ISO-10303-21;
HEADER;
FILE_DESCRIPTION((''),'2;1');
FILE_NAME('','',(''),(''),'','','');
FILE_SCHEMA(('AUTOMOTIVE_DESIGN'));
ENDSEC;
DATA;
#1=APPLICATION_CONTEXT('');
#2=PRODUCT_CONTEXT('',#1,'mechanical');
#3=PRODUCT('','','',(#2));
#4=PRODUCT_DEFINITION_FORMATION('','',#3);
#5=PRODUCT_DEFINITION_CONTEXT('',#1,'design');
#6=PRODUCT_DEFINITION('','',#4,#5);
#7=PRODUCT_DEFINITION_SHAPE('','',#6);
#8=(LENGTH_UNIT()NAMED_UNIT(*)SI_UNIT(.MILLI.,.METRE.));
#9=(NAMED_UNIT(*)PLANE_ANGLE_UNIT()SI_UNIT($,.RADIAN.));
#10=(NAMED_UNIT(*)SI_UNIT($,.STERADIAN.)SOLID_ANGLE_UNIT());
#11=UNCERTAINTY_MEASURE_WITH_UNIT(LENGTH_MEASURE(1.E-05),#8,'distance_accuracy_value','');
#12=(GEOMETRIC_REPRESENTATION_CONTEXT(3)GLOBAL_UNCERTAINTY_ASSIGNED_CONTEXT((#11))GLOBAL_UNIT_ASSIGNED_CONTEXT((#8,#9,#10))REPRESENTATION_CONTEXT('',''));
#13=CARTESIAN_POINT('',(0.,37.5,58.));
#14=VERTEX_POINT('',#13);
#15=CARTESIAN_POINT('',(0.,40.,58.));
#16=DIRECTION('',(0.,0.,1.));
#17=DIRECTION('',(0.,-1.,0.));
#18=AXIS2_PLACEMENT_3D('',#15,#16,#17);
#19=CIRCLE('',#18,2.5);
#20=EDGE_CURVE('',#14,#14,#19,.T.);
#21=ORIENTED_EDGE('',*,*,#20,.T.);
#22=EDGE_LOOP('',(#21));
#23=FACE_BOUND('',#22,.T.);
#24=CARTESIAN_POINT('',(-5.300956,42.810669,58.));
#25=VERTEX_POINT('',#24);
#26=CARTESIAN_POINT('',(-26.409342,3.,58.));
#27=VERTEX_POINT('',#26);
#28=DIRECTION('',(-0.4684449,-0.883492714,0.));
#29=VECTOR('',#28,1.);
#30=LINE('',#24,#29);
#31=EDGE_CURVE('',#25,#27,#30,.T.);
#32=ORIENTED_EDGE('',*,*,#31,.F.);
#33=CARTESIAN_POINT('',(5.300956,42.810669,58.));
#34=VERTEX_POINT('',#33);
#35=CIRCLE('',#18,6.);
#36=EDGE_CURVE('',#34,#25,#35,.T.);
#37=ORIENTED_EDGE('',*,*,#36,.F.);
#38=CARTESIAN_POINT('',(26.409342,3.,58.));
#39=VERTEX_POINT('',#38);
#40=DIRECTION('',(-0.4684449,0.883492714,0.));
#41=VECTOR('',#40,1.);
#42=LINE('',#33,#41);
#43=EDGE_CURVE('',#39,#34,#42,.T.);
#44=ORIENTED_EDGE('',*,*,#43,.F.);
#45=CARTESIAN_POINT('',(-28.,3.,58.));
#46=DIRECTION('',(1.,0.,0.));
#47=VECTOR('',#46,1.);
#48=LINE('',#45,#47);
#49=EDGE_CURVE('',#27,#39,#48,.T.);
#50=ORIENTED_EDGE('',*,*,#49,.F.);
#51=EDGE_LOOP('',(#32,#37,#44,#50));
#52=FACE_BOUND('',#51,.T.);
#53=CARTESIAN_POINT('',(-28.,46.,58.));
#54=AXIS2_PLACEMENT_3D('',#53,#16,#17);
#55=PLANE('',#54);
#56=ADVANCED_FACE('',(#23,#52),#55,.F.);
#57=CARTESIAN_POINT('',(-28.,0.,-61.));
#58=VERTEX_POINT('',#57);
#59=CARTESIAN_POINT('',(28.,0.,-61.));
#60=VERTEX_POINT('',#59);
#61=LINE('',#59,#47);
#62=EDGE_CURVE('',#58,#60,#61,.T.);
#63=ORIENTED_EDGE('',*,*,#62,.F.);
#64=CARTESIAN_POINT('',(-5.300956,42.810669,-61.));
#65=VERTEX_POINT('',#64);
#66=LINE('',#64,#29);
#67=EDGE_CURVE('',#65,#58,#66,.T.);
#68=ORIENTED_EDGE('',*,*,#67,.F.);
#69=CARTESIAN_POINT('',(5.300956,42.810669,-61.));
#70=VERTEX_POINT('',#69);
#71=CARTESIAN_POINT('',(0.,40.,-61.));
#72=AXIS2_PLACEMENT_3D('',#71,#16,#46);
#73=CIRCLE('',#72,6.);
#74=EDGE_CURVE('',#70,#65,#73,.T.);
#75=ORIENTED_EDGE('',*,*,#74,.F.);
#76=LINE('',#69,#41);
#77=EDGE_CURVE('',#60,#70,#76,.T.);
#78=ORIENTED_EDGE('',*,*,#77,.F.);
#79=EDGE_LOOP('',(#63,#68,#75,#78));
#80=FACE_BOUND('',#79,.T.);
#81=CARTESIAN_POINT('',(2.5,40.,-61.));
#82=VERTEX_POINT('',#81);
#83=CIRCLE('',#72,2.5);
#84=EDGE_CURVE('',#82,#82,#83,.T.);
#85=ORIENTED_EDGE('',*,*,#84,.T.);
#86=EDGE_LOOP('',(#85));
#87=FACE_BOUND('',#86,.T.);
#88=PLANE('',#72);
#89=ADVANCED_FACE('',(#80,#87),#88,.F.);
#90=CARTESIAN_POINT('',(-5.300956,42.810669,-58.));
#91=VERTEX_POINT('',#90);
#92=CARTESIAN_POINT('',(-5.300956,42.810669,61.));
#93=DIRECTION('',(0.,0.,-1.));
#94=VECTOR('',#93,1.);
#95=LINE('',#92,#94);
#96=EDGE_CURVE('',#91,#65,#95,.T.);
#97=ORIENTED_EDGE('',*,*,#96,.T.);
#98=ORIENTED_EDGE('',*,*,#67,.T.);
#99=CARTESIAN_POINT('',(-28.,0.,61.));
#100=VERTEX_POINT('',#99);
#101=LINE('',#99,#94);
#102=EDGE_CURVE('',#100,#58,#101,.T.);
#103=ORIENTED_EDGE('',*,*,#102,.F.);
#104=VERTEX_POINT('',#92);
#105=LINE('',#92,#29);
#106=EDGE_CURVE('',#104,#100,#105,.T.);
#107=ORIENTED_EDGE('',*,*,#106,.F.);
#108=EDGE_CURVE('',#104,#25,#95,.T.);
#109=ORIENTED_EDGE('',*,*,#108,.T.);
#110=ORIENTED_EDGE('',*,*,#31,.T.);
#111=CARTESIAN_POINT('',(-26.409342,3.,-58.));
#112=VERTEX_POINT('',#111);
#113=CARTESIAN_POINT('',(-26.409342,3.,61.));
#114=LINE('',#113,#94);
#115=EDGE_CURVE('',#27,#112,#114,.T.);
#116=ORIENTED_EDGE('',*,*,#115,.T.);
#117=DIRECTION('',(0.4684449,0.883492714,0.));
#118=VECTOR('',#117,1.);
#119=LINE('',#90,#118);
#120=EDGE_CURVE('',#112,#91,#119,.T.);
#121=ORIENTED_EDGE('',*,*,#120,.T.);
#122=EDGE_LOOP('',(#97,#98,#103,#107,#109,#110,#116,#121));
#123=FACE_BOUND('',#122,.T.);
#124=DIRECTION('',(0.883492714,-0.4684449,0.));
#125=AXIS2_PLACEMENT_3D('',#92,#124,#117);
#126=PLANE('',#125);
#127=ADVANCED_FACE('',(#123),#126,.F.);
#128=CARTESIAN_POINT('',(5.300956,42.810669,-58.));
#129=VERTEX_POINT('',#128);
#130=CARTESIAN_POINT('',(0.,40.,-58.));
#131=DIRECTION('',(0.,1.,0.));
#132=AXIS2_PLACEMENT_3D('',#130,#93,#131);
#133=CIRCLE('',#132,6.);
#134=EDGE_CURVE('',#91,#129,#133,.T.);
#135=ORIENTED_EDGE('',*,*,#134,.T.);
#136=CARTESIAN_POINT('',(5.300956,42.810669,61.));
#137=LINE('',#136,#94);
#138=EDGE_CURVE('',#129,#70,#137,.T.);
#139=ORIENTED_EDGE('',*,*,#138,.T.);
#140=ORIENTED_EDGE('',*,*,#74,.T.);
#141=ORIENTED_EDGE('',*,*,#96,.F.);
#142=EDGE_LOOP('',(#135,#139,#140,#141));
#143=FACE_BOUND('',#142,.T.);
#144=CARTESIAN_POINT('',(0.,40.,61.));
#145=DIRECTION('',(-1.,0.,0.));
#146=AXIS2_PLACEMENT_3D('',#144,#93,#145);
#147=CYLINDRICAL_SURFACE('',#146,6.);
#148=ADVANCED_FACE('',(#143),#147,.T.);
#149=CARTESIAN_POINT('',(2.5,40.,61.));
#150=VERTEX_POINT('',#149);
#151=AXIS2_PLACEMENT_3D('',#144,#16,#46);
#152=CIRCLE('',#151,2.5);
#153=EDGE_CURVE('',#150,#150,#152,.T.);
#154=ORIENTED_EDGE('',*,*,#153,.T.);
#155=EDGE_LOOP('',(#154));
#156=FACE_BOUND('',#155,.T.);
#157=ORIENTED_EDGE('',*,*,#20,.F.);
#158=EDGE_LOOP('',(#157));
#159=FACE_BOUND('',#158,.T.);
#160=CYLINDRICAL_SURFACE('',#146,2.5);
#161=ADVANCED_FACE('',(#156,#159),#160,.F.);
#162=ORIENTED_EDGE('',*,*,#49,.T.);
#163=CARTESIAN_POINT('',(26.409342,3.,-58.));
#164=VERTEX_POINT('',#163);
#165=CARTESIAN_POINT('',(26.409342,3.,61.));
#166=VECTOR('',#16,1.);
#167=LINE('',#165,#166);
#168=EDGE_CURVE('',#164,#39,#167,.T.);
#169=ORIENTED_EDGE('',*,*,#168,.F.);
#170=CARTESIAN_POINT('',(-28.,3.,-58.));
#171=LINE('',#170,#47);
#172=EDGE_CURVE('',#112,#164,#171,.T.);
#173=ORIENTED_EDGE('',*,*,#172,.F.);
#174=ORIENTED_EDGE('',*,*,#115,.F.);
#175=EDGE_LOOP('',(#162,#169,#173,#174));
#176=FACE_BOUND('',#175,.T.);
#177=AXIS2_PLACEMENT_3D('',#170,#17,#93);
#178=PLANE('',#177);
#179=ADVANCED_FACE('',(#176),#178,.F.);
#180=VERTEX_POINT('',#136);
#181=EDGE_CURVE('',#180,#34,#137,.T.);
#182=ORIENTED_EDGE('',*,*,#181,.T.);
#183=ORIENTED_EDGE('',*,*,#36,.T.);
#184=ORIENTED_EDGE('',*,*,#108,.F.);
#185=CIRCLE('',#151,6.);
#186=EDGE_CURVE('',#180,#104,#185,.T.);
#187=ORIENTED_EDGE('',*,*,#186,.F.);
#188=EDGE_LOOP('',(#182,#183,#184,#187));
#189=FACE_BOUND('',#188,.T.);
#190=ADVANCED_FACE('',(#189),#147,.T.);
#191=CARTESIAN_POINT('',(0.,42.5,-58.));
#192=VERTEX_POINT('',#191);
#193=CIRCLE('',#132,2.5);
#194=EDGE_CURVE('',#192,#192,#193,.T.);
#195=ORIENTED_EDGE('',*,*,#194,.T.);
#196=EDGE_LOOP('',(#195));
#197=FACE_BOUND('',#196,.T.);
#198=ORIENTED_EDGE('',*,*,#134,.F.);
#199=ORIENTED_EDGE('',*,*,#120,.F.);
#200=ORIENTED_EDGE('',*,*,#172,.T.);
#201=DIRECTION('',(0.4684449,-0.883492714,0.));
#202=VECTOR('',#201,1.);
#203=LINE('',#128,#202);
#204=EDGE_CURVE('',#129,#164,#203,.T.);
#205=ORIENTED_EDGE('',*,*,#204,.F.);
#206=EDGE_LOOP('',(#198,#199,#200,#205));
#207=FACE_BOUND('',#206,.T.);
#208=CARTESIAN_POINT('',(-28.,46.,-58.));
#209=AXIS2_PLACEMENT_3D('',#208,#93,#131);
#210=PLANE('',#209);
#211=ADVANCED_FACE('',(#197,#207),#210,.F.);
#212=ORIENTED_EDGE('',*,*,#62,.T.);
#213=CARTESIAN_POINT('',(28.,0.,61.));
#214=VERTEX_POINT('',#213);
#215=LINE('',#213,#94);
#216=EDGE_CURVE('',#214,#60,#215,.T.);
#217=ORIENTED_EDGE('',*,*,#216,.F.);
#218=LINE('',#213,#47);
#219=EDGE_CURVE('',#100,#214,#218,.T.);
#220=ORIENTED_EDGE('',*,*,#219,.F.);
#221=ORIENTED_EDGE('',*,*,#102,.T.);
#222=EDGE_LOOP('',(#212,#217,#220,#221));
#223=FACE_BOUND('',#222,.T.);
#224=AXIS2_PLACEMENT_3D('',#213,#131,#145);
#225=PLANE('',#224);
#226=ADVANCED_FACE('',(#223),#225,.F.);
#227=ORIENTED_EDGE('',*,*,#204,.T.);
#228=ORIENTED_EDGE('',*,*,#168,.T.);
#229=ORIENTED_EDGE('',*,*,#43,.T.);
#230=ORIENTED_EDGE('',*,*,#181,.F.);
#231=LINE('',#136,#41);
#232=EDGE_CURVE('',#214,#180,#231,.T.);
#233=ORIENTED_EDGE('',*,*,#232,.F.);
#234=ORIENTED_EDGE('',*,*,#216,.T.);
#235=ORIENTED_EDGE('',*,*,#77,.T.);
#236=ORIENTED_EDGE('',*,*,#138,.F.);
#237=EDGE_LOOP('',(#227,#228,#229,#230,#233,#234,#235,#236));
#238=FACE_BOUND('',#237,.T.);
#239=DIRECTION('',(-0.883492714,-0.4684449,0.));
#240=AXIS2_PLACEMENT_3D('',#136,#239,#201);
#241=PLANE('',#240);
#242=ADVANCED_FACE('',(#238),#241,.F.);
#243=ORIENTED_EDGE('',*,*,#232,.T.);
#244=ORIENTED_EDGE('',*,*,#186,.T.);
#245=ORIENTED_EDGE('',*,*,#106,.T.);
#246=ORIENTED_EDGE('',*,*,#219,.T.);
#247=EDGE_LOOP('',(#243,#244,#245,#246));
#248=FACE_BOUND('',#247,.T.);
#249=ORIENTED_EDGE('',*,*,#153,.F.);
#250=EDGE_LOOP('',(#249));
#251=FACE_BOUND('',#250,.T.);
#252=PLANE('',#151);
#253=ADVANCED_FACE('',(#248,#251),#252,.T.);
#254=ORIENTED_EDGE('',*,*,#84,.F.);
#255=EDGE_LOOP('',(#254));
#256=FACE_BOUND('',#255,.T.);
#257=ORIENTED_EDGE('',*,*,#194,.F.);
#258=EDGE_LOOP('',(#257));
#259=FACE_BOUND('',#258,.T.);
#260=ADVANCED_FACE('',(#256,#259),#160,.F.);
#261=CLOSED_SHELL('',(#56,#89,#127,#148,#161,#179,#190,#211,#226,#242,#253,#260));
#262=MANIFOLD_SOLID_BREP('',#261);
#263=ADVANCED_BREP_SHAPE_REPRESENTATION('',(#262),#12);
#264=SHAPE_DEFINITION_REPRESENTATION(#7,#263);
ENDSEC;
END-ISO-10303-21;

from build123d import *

# Parameters (mm, degrees)
ESQUISSE1_R                  = 2.5
BOSS_EXTRU_1_DEPTH           = 61
ESQUISSE2_W                  = 116
ESQUISSE2_H                  = 43
ENL_V_MAT_EXTRU_1_DEPTH      = 29
ENL_V_MAT_EXTRU_1_DEPTH_BACK = 29


with BuildPart() as part:
    # Esquisse1 → Boss.-Extru.1 (new body, symmetric)
    with BuildSketch(Plane.XY):
        with BuildLine():
            Line((-5.300956284, 42.810669399), (-28, 0))
            Line((-28, 0), (28, 0))
            Line((28, 0), (5.300956284, 42.810669399))
            ThreePointArc((5.300956284, 42.810669399), (0, 46), (-5.300956284, 42.810669399))
        make_face()
        with Locations((0, 40)):
            Circle(ESQUISSE1_R, mode=Mode.SUBTRACT)
    extrude(amount=BOSS_EXTRU_1_DEPTH, both=True)

    # Esquisse2 → Enlèv. mat.-Extru.1 (cut, two sides)
    with BuildSketch(Plane(origin=(0, 0, 0), x_dir=(0, 0, -1), z_dir=(1, 0, 0))) as enl_v_mat_extru_1_sk:
        with Locations((0, 24.5)):
            Rectangle(ESQUISSE2_W, ESQUISSE2_H)
    extrude(amount=ENL_V_MAT_EXTRU_1_DEPTH, mode=Mode.SUBTRACT)
    extrude(enl_v_mat_extru_1_sk.sketch, amount=-ENL_V_MAT_EXTRU_1_DEPTH_BACK, mode=Mode.SUBTRACT)


solid = part.part
